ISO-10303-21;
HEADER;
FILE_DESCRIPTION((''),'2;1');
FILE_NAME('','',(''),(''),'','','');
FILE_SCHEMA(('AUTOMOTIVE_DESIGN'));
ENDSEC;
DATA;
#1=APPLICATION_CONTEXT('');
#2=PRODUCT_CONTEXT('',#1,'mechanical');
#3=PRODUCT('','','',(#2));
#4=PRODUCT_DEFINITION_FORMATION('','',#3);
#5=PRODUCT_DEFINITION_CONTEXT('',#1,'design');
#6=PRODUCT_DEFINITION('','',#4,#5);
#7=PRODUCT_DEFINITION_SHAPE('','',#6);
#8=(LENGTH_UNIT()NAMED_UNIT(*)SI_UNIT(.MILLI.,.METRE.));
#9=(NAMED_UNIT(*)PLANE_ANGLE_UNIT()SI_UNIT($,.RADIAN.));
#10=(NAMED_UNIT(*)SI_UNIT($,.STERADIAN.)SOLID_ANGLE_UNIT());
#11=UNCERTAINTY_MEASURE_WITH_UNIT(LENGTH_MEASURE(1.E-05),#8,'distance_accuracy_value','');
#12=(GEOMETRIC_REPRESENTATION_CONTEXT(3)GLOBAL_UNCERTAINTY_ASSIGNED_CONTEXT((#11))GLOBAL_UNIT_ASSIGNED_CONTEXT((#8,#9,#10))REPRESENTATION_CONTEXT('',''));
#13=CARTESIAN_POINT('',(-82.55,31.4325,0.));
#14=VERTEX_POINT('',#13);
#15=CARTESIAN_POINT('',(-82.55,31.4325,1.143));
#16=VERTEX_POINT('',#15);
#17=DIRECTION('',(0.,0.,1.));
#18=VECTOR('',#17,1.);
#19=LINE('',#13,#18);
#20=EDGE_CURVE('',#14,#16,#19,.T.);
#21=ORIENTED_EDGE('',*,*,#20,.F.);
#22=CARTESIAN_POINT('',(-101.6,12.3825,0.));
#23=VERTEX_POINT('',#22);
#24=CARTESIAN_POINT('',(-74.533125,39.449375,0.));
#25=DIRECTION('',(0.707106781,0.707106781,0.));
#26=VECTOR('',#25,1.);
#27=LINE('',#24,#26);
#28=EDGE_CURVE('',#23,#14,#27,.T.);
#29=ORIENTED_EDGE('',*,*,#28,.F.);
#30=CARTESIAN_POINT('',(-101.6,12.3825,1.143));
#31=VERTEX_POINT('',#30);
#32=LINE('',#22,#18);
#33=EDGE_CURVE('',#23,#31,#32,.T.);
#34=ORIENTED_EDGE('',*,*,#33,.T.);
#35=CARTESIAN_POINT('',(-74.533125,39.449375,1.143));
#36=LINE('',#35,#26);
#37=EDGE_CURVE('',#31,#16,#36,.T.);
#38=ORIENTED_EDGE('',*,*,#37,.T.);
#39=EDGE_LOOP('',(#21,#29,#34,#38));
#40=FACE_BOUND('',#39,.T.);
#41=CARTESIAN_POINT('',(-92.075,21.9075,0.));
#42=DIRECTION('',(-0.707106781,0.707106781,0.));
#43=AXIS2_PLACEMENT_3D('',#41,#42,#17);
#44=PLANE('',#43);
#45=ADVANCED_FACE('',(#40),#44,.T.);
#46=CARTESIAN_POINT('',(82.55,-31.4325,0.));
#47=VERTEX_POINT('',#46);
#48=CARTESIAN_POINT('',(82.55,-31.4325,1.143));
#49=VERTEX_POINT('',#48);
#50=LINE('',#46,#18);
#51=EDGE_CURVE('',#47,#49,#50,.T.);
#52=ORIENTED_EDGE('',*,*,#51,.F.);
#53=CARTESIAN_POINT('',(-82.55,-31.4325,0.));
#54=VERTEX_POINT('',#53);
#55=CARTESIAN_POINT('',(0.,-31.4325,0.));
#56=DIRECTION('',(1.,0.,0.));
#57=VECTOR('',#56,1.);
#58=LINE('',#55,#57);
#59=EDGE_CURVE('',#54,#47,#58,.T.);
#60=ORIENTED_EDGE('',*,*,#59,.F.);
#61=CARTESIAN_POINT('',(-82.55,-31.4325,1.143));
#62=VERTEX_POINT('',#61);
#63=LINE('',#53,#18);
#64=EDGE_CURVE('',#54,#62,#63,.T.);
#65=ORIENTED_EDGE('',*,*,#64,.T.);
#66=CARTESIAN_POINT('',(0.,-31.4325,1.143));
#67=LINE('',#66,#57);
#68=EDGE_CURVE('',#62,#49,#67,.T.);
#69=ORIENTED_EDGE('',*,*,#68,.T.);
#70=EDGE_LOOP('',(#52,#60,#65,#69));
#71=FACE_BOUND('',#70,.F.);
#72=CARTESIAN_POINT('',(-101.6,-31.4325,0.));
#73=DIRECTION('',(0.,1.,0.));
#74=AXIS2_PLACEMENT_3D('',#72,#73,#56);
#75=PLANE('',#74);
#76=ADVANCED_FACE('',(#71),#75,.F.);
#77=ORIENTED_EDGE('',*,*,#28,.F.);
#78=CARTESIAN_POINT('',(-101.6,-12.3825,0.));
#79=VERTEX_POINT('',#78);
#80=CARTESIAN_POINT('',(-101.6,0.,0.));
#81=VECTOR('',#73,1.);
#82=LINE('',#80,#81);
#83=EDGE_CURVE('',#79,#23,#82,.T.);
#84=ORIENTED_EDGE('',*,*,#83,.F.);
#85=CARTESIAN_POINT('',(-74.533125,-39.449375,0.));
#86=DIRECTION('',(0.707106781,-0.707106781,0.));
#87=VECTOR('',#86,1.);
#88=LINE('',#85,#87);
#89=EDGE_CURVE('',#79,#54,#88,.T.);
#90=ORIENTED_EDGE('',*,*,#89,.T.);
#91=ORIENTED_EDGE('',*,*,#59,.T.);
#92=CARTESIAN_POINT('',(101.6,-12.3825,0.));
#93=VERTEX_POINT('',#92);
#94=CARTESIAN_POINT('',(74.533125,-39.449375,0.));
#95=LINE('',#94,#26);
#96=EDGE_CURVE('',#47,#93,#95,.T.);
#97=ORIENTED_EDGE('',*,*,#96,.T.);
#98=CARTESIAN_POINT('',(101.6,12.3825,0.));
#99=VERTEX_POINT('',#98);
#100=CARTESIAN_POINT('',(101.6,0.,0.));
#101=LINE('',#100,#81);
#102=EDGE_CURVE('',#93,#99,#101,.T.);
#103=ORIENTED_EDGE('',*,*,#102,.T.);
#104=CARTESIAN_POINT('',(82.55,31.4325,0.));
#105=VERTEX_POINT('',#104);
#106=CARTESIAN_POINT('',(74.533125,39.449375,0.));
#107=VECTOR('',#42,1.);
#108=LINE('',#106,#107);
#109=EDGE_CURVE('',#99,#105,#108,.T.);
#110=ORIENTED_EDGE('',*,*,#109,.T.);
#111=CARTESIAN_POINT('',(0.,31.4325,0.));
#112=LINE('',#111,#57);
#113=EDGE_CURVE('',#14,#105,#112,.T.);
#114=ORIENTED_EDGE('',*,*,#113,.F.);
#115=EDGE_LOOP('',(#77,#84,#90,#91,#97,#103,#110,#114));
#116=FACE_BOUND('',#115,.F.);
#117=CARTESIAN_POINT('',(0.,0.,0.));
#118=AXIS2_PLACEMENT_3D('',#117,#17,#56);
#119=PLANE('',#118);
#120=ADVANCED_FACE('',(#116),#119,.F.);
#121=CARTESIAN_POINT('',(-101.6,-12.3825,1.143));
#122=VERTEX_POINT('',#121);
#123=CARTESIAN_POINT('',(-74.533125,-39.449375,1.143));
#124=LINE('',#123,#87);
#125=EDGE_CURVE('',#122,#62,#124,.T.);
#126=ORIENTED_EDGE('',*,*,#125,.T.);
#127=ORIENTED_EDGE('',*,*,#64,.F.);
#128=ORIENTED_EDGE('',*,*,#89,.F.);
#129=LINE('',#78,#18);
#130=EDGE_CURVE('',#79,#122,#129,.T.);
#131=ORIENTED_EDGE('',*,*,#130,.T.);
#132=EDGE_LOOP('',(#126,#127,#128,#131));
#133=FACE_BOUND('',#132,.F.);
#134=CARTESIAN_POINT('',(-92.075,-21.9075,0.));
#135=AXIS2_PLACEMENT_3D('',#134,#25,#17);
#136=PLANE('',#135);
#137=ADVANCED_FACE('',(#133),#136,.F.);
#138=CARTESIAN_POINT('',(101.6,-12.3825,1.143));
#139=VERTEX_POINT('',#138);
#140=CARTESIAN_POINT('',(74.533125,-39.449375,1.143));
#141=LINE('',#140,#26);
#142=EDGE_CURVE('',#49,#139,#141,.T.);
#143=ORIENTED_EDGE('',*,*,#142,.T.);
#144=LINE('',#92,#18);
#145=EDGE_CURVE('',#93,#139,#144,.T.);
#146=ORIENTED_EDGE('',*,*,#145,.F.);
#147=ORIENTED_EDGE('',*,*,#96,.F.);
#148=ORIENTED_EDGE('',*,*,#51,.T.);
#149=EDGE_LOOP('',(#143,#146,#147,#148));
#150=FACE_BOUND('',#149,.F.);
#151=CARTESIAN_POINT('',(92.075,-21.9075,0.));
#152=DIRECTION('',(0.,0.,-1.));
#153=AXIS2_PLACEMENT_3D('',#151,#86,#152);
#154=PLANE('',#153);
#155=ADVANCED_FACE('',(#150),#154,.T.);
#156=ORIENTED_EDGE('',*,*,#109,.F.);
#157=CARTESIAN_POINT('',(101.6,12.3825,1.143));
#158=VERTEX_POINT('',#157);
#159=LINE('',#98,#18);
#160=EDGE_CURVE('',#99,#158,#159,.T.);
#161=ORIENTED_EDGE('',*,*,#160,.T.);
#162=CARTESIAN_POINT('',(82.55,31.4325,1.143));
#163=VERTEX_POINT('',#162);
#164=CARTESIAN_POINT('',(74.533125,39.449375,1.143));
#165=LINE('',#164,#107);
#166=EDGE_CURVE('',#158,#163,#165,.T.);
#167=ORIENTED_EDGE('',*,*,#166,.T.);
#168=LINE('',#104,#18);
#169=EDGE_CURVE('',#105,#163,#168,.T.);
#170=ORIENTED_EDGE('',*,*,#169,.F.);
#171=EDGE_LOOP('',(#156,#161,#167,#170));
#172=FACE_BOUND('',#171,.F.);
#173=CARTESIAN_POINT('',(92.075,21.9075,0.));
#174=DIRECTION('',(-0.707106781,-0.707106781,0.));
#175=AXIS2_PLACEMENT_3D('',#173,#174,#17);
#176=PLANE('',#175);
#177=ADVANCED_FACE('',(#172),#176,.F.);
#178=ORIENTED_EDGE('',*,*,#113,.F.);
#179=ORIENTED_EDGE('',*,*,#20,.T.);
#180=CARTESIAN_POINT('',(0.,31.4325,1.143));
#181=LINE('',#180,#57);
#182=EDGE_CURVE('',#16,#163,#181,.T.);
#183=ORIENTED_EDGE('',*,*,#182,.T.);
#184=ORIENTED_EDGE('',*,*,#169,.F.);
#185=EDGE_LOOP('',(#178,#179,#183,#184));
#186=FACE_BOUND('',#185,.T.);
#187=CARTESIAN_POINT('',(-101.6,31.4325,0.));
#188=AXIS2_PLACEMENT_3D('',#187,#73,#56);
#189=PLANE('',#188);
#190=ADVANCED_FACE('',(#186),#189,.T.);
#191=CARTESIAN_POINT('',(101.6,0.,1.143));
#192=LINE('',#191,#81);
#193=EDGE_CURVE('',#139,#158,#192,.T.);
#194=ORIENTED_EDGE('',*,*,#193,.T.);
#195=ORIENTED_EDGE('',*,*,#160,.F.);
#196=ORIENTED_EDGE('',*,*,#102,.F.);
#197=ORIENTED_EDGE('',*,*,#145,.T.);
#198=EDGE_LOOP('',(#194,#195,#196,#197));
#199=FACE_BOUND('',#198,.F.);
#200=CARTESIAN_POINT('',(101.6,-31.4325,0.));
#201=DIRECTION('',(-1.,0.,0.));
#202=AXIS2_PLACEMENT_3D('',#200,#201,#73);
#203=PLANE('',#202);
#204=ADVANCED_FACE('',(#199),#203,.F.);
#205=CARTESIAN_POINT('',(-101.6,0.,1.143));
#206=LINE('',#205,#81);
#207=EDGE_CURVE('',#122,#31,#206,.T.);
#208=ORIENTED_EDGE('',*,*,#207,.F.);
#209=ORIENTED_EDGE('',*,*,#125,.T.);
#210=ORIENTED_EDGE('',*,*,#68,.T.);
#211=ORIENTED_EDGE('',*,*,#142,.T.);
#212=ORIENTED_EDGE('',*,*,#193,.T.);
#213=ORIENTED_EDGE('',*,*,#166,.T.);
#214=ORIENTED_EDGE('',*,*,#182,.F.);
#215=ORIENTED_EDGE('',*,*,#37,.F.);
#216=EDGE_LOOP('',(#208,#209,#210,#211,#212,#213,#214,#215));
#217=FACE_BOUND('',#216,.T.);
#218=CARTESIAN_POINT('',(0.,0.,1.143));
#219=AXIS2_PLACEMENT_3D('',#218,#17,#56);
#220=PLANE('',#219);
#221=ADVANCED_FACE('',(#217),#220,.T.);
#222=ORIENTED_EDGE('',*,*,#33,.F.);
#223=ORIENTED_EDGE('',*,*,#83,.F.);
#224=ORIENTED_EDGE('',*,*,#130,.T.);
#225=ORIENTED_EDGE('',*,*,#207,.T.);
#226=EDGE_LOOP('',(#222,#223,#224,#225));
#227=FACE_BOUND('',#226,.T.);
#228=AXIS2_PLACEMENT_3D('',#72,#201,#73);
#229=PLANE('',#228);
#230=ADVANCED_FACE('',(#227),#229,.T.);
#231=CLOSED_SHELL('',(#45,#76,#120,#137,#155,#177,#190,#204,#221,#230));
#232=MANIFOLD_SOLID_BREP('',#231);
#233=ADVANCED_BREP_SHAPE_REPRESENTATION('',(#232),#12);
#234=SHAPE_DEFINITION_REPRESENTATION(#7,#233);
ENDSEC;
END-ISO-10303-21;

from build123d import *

# Parameters (mm, degrees)
F0_W     = 203.2
F0_H     = 62.865
F1_DEPTH = 1.143
F2_SIZE  = 19.05


with BuildPart() as f1:
    # F0 (on Top) → F1 (new body)
    with BuildSketch(Plane.XY):
        Rectangle(F0_W, F0_H)
    extrude(amount=F1_DEPTH)

    # F2
    f2_edges = [f1.edges().sort_by_distance(p)[0] for p in [
        (-101.6, -31.4325, 0.5715),
        (-101.6, 31.4325, 0.5715),
        (101.6, 31.4325, 0.5715),
        (101.6, -31.4325, 0.5715),
    ]]
    chamfer(f2_edges, length=F2_SIZE)


solid = f1.part
